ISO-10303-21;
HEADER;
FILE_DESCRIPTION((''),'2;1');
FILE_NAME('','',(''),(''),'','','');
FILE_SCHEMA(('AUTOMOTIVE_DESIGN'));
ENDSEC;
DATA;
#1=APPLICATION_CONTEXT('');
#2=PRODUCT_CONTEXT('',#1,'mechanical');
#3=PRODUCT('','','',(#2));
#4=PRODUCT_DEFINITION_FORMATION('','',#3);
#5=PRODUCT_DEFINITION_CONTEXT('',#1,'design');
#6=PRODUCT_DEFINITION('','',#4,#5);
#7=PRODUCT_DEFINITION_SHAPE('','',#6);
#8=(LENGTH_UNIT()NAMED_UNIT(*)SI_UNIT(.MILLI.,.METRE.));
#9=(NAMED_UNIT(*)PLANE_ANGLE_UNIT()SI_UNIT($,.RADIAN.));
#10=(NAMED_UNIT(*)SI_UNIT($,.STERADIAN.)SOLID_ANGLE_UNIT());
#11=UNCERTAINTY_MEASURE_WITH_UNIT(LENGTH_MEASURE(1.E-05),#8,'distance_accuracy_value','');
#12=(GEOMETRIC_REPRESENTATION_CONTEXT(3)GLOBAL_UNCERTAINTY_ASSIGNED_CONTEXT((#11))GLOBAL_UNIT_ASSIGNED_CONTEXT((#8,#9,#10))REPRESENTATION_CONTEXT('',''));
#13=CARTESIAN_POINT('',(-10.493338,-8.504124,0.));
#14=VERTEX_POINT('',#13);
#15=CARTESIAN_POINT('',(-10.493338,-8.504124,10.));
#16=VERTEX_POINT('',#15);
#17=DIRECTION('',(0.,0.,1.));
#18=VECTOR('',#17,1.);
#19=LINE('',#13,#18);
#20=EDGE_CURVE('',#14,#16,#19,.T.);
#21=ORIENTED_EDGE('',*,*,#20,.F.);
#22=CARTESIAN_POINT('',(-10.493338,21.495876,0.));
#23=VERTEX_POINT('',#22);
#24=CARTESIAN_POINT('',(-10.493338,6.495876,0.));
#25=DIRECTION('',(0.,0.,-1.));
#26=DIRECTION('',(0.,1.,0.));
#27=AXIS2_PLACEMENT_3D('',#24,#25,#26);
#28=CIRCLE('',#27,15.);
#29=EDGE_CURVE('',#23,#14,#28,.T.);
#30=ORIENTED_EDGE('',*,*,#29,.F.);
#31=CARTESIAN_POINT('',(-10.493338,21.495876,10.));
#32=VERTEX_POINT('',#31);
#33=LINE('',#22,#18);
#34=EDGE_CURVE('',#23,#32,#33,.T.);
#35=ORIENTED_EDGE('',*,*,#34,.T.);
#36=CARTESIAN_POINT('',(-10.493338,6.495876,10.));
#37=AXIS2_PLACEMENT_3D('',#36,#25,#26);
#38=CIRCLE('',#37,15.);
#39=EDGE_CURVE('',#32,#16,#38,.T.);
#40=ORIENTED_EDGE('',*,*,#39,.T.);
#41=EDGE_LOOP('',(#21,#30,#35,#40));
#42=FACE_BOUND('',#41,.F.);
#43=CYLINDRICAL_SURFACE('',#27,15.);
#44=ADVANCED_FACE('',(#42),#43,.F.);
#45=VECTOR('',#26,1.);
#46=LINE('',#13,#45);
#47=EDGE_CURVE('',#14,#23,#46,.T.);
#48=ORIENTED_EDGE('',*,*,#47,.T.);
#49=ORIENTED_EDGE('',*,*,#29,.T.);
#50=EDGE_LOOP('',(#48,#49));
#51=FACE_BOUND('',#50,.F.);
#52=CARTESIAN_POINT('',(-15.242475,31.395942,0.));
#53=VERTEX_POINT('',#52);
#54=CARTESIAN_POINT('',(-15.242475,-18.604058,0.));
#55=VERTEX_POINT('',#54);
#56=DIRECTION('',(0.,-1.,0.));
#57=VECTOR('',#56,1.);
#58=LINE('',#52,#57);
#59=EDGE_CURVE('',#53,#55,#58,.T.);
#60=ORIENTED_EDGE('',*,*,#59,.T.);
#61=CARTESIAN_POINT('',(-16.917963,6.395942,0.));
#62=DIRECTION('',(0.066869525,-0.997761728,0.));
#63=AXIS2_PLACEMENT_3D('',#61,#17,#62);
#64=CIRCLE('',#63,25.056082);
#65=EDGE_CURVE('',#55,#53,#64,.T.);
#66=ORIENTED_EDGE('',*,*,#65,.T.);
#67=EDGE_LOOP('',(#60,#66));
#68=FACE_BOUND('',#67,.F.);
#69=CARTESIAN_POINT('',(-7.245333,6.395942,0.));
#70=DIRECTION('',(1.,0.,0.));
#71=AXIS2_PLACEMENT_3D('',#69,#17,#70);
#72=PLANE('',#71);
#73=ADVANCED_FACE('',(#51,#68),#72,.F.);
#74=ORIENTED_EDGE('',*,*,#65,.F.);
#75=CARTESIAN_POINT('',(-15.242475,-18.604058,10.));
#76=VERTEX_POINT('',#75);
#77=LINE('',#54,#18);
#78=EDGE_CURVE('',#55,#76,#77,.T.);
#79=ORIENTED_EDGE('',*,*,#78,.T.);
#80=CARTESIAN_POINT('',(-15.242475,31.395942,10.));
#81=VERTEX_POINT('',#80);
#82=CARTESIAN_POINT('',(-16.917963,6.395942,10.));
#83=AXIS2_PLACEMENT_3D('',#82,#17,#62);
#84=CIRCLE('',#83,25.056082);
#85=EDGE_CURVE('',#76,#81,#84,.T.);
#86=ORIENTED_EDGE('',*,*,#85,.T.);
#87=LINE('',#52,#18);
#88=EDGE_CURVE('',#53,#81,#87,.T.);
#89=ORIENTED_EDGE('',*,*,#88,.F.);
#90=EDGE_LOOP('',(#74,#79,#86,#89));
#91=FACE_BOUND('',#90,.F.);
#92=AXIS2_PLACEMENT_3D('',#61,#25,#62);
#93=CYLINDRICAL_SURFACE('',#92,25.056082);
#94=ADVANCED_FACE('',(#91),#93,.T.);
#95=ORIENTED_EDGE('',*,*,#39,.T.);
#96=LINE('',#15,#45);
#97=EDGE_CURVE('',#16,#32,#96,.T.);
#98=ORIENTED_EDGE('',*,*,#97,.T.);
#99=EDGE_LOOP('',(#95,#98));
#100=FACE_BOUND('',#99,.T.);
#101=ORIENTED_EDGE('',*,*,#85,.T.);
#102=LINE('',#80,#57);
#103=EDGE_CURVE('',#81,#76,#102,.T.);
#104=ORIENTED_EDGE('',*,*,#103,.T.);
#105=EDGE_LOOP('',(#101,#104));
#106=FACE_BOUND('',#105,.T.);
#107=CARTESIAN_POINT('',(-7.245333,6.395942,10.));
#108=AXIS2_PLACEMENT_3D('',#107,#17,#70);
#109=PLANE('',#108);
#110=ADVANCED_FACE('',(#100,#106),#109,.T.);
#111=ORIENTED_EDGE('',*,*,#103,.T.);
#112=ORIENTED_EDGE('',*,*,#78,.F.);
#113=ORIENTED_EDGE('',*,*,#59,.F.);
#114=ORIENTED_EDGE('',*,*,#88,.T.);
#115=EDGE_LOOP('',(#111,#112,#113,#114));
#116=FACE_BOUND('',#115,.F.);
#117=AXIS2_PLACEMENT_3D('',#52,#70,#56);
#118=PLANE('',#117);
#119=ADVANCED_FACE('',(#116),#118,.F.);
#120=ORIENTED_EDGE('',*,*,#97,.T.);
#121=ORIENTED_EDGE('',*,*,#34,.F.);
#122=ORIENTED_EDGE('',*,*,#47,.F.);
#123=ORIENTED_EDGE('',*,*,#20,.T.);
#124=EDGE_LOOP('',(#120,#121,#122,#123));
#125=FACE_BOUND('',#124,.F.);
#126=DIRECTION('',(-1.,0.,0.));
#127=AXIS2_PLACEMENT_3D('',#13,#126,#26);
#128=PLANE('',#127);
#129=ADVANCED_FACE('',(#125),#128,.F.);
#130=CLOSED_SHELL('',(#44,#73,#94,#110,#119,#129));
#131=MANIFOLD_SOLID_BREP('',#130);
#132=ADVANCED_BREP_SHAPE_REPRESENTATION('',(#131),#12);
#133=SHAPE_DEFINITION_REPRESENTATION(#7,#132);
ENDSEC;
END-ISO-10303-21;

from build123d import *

# Parameters (mm, degrees)
F1_DEPTH = 10


with BuildPart() as f1:
    # F0 (on Top) → F1 (new body)
    with BuildSketch(Plane.XY):
        with BuildLine():
            ThreePointArc((-15.242475, -18.604058), (8.138119, 6.395942), (-15.242475, 31.395942))
            Line((-15.242475, 31.395942), (-15.242475, -18.604058))
        make_face()
        with BuildLine():
            Line((-10.493338, -8.504124), (-10.493338, 21.495876))
            ThreePointArc((-10.493338, 21.495876), (4.506662, 6.495876), (-10.493338, -8.504124))
        make_face(mode=Mode.SUBTRACT)
    extrude(amount=F1_DEPTH)


solid = f1.part
